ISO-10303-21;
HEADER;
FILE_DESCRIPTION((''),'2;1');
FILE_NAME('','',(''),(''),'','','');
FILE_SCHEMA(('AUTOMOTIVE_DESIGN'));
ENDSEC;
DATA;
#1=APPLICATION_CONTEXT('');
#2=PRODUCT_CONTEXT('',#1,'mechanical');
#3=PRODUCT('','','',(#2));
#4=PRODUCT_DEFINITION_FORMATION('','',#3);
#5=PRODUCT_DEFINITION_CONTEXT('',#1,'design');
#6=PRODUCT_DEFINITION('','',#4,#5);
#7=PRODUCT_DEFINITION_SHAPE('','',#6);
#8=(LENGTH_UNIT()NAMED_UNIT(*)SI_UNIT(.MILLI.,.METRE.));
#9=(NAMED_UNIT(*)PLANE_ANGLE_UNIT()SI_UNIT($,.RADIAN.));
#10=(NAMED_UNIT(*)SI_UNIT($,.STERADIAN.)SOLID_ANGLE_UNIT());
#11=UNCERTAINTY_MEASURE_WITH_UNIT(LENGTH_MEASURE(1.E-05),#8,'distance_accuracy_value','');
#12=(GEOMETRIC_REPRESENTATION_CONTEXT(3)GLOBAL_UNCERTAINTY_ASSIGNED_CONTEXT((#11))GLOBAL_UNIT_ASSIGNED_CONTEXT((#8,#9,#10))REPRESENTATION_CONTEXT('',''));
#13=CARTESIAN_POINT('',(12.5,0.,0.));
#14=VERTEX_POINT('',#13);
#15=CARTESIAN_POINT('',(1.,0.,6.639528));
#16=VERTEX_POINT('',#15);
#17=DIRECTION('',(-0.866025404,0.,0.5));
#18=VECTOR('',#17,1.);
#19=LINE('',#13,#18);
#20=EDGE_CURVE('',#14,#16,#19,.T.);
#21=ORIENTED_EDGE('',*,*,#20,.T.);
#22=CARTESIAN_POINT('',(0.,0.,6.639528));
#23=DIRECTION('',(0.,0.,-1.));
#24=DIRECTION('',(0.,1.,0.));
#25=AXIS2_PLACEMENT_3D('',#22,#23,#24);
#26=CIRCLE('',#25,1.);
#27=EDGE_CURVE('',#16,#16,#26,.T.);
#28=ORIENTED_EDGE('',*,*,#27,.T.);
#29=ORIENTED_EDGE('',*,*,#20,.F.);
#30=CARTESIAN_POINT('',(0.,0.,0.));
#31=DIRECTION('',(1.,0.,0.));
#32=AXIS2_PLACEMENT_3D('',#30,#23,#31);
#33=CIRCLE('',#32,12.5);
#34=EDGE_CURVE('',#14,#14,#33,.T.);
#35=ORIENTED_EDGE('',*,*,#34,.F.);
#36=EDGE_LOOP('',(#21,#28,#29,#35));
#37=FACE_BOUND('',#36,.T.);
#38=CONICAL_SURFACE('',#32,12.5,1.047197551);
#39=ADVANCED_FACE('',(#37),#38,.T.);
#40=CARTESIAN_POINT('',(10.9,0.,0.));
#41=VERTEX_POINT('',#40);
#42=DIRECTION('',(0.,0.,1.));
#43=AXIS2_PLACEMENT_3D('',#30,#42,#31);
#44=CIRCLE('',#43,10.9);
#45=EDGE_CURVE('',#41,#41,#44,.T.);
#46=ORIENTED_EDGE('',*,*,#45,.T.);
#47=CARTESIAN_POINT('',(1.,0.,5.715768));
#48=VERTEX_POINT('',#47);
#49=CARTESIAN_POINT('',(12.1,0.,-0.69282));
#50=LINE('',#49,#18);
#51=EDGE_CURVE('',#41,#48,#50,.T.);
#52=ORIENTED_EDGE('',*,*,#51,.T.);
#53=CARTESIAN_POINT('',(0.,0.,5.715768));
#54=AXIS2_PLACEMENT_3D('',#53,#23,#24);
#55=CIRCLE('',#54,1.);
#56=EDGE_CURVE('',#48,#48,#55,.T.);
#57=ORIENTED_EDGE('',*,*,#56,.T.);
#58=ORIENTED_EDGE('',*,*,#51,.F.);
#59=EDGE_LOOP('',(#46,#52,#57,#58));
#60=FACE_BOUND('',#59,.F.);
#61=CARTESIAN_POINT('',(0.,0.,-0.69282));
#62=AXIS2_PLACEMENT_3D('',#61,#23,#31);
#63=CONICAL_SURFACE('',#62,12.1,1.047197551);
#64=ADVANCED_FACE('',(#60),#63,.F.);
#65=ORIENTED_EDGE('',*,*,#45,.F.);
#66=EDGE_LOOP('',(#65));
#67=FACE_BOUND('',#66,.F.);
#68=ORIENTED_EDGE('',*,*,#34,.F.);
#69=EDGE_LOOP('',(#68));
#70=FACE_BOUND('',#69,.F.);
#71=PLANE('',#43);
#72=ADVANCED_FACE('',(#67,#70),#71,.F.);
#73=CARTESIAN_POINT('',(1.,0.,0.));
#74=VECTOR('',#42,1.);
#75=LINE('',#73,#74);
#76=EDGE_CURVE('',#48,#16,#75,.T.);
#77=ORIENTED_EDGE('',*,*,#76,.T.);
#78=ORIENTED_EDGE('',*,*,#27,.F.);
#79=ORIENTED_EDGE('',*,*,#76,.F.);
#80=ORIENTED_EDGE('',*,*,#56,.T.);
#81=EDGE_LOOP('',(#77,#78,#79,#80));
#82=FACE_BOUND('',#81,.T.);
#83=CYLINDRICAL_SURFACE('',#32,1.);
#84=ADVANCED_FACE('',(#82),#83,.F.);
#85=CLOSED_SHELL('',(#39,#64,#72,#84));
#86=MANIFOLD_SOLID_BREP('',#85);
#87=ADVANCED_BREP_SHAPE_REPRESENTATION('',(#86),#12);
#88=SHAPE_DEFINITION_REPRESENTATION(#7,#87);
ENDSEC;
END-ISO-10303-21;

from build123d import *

# Parameters (mm, degrees)
F0_R     = 12.5
F1_DEPTH = 7.5
F1_TAPER = 60
F3_T     = -0.8
F2_R     = 1
F4_DEPTH = 25


with BuildPart() as f1:
    # F0 (on Top) → F1 (new body)
    with BuildSketch(Plane.XY):
        Circle(F0_R)
    extrude(amount=F1_DEPTH, taper=F1_TAPER)

    # F3
    f3_openings = [f1.faces().sort_by_distance(p)[0] for p in [
        (0, 0, 0),
    ]]
    offset(amount=F3_T, openings=f3_openings)

    # F2 (on Top) → F4 (cut)
    with BuildSketch(Plane.XY):
        Circle(F2_R)
    extrude(amount=F4_DEPTH, mode=Mode.SUBTRACT)


solid = f1.part
